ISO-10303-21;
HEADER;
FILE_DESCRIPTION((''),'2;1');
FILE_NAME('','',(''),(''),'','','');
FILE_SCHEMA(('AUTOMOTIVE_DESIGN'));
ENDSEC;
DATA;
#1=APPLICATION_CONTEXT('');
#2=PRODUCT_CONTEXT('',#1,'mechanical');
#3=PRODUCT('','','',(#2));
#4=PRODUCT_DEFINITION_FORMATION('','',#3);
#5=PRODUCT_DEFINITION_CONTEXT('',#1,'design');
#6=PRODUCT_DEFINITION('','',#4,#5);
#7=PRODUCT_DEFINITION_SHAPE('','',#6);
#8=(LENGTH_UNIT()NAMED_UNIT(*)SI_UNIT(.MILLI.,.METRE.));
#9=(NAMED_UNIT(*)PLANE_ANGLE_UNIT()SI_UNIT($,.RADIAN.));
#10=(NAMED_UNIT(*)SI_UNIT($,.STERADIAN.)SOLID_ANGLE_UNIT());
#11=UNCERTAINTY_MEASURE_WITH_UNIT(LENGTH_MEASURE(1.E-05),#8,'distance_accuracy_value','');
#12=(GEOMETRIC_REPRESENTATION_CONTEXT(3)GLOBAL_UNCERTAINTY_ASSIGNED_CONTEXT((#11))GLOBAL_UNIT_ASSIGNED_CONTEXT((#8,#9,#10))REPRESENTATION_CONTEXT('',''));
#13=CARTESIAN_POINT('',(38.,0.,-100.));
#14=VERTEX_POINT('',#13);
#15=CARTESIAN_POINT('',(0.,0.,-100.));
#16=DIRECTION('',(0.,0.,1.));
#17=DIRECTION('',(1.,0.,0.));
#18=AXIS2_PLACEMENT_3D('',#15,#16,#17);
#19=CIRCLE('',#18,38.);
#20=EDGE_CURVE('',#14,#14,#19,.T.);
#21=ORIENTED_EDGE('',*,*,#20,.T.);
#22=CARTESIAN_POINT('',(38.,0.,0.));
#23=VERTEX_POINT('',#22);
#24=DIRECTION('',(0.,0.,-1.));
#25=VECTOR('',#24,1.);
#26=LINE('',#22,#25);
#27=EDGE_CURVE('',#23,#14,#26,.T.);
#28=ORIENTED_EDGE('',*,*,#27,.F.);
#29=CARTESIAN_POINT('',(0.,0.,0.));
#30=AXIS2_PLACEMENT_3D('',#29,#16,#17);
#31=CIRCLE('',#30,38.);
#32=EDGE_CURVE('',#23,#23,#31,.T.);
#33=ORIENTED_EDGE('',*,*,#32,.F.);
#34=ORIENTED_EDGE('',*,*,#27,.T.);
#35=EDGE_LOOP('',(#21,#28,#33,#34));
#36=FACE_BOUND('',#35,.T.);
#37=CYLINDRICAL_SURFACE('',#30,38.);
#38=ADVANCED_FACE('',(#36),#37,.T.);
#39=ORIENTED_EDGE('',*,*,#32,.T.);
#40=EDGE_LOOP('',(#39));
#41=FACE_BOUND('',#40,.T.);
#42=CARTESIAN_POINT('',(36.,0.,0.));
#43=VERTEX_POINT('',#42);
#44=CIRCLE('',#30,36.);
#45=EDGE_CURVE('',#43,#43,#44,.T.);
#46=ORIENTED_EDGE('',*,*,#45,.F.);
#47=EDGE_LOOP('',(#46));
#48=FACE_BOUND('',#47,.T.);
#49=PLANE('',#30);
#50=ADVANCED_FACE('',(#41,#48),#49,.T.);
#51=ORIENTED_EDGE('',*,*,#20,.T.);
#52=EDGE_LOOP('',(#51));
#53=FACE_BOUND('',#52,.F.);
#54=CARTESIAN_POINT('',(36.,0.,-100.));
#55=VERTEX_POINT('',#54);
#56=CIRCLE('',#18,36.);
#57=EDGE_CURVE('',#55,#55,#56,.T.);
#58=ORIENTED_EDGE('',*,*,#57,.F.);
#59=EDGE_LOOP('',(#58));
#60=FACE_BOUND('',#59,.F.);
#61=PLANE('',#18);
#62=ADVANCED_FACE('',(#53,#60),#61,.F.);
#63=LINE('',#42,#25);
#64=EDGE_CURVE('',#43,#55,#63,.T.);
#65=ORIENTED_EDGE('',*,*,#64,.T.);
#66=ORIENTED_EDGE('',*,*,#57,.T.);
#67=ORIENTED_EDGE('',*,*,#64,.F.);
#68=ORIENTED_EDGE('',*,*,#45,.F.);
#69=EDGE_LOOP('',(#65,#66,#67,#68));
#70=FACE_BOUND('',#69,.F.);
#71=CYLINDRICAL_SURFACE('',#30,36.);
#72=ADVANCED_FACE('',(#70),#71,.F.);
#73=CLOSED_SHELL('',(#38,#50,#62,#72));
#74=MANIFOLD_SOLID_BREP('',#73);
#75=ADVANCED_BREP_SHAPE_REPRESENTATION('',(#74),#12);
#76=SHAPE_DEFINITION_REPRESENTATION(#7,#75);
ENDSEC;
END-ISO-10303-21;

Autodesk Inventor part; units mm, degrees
ref_plane "YZ Plane" through (0, 0, 0) normal (1, 0, 0) x (0, 1, 0)
ref_plane "XZ Plane" through (0, 0, 0) normal (0, 1, 0) x (-1, 0, 0)
ref_plane "XY Plane" through (0, 0, 0) normal (0, 0, 1) x (1, 0, 0)
sketch "Sketch8" plane through (0, 0, 0) normal (0, 0, 1) x (1, 0, 0)
  circle A0 centre (0, 0) radius 38
  circle A1 centre (0, 0) radius 36
  dimension "d46" = 76
  dimension "d47" = 2
extrude "Extrusion2" add sketch "Sketch8" against normal blind 100
equation "\"BendReliefWidth\" = Thickness"
equation "\"BendReliefDepth\" = 0.5 * Thickness"
equation "\"CornerReliefSize\" = 4 * Thickness"
equation "\"MinimumRemnant\" = 2 * Thickness"
equation "\"TransitionRadius\" = BendRadius"
equation "\"JacobiRadiusSize\" = BendRadius"
equation "\"GapSize\" = Thickness"
equation "\"Octaeder_side\" = d41"
equation "\"Octaeder_flange_lenth\" = d42"
equation "\"Thickness\" = 4"
equation "\"BendRadius\" = 6"
equation "\"d41\" = 55.918831"
equation "\"d42\" = 72.5"
properties part number "DSB 217 system tube" material "Stainless Steel"
